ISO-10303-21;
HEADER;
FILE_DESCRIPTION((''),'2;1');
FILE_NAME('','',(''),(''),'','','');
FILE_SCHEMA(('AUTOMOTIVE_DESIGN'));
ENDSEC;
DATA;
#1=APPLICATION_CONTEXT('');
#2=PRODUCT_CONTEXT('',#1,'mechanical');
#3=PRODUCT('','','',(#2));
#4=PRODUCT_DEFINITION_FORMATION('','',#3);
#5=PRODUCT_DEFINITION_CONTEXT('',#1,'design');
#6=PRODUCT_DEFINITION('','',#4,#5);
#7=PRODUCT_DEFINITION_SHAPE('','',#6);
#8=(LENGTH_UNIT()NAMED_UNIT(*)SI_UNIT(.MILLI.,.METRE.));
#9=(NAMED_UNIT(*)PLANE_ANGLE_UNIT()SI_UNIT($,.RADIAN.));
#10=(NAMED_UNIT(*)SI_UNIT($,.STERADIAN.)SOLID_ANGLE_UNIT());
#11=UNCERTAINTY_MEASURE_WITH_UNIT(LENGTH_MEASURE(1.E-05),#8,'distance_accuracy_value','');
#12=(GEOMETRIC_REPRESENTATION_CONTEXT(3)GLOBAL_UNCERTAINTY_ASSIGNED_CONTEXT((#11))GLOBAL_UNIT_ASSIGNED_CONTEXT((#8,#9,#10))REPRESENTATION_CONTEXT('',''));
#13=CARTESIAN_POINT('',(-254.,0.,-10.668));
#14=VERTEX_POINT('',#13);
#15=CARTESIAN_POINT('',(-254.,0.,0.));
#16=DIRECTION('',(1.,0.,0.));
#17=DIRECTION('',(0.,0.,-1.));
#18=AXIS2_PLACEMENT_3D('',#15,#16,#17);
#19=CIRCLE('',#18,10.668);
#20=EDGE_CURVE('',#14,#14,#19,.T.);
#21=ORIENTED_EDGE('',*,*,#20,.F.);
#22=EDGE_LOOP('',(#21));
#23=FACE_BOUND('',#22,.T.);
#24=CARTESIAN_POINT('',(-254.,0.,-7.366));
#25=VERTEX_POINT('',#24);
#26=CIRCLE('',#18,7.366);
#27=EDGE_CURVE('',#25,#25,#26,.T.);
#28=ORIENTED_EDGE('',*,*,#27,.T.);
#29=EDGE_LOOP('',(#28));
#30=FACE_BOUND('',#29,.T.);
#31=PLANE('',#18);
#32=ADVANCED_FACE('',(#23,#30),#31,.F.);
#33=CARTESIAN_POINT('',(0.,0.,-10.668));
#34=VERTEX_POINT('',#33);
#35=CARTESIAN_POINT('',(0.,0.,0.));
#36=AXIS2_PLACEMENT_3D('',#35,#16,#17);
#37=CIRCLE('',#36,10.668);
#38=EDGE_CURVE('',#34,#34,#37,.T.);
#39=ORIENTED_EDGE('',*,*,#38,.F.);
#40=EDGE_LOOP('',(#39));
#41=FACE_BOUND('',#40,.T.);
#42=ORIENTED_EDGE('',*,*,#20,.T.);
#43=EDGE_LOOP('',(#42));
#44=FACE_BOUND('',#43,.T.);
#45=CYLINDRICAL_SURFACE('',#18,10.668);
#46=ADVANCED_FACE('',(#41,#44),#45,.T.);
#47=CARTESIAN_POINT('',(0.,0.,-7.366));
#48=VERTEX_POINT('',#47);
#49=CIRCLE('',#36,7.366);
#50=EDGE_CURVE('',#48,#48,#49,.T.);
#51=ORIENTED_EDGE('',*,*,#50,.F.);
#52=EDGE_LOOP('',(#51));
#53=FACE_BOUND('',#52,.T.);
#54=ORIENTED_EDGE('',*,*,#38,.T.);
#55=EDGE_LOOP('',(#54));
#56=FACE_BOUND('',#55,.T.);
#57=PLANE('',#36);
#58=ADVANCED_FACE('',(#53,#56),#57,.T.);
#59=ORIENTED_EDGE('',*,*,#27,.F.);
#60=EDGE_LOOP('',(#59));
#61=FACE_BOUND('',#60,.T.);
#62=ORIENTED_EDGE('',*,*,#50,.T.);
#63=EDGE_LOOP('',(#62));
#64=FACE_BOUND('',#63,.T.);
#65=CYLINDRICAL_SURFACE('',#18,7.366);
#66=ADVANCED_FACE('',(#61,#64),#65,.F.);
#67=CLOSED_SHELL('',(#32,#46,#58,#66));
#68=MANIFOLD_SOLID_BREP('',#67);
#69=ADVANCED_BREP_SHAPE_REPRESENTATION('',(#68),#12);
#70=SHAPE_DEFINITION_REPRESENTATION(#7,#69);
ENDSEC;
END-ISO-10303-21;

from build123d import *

# Parameters (mm, degrees)
SKETCH1_R           = 10.668
SKETCH1_R_2         = 7.366
BOSS_EXTRUDE1_DEPTH = 254


with BuildPart() as part:
    # Sketch1 → Boss-Extrude1 (new body)
    with BuildSketch(Plane(origin=(0, 0, 0), x_dir=(0, 0, -1), z_dir=(1, 0, 0))):
        Circle(SKETCH1_R)
        Circle(SKETCH1_R_2, mode=Mode.SUBTRACT)
    extrude(amount=-BOSS_EXTRUDE1_DEPTH)


solid = part.part
